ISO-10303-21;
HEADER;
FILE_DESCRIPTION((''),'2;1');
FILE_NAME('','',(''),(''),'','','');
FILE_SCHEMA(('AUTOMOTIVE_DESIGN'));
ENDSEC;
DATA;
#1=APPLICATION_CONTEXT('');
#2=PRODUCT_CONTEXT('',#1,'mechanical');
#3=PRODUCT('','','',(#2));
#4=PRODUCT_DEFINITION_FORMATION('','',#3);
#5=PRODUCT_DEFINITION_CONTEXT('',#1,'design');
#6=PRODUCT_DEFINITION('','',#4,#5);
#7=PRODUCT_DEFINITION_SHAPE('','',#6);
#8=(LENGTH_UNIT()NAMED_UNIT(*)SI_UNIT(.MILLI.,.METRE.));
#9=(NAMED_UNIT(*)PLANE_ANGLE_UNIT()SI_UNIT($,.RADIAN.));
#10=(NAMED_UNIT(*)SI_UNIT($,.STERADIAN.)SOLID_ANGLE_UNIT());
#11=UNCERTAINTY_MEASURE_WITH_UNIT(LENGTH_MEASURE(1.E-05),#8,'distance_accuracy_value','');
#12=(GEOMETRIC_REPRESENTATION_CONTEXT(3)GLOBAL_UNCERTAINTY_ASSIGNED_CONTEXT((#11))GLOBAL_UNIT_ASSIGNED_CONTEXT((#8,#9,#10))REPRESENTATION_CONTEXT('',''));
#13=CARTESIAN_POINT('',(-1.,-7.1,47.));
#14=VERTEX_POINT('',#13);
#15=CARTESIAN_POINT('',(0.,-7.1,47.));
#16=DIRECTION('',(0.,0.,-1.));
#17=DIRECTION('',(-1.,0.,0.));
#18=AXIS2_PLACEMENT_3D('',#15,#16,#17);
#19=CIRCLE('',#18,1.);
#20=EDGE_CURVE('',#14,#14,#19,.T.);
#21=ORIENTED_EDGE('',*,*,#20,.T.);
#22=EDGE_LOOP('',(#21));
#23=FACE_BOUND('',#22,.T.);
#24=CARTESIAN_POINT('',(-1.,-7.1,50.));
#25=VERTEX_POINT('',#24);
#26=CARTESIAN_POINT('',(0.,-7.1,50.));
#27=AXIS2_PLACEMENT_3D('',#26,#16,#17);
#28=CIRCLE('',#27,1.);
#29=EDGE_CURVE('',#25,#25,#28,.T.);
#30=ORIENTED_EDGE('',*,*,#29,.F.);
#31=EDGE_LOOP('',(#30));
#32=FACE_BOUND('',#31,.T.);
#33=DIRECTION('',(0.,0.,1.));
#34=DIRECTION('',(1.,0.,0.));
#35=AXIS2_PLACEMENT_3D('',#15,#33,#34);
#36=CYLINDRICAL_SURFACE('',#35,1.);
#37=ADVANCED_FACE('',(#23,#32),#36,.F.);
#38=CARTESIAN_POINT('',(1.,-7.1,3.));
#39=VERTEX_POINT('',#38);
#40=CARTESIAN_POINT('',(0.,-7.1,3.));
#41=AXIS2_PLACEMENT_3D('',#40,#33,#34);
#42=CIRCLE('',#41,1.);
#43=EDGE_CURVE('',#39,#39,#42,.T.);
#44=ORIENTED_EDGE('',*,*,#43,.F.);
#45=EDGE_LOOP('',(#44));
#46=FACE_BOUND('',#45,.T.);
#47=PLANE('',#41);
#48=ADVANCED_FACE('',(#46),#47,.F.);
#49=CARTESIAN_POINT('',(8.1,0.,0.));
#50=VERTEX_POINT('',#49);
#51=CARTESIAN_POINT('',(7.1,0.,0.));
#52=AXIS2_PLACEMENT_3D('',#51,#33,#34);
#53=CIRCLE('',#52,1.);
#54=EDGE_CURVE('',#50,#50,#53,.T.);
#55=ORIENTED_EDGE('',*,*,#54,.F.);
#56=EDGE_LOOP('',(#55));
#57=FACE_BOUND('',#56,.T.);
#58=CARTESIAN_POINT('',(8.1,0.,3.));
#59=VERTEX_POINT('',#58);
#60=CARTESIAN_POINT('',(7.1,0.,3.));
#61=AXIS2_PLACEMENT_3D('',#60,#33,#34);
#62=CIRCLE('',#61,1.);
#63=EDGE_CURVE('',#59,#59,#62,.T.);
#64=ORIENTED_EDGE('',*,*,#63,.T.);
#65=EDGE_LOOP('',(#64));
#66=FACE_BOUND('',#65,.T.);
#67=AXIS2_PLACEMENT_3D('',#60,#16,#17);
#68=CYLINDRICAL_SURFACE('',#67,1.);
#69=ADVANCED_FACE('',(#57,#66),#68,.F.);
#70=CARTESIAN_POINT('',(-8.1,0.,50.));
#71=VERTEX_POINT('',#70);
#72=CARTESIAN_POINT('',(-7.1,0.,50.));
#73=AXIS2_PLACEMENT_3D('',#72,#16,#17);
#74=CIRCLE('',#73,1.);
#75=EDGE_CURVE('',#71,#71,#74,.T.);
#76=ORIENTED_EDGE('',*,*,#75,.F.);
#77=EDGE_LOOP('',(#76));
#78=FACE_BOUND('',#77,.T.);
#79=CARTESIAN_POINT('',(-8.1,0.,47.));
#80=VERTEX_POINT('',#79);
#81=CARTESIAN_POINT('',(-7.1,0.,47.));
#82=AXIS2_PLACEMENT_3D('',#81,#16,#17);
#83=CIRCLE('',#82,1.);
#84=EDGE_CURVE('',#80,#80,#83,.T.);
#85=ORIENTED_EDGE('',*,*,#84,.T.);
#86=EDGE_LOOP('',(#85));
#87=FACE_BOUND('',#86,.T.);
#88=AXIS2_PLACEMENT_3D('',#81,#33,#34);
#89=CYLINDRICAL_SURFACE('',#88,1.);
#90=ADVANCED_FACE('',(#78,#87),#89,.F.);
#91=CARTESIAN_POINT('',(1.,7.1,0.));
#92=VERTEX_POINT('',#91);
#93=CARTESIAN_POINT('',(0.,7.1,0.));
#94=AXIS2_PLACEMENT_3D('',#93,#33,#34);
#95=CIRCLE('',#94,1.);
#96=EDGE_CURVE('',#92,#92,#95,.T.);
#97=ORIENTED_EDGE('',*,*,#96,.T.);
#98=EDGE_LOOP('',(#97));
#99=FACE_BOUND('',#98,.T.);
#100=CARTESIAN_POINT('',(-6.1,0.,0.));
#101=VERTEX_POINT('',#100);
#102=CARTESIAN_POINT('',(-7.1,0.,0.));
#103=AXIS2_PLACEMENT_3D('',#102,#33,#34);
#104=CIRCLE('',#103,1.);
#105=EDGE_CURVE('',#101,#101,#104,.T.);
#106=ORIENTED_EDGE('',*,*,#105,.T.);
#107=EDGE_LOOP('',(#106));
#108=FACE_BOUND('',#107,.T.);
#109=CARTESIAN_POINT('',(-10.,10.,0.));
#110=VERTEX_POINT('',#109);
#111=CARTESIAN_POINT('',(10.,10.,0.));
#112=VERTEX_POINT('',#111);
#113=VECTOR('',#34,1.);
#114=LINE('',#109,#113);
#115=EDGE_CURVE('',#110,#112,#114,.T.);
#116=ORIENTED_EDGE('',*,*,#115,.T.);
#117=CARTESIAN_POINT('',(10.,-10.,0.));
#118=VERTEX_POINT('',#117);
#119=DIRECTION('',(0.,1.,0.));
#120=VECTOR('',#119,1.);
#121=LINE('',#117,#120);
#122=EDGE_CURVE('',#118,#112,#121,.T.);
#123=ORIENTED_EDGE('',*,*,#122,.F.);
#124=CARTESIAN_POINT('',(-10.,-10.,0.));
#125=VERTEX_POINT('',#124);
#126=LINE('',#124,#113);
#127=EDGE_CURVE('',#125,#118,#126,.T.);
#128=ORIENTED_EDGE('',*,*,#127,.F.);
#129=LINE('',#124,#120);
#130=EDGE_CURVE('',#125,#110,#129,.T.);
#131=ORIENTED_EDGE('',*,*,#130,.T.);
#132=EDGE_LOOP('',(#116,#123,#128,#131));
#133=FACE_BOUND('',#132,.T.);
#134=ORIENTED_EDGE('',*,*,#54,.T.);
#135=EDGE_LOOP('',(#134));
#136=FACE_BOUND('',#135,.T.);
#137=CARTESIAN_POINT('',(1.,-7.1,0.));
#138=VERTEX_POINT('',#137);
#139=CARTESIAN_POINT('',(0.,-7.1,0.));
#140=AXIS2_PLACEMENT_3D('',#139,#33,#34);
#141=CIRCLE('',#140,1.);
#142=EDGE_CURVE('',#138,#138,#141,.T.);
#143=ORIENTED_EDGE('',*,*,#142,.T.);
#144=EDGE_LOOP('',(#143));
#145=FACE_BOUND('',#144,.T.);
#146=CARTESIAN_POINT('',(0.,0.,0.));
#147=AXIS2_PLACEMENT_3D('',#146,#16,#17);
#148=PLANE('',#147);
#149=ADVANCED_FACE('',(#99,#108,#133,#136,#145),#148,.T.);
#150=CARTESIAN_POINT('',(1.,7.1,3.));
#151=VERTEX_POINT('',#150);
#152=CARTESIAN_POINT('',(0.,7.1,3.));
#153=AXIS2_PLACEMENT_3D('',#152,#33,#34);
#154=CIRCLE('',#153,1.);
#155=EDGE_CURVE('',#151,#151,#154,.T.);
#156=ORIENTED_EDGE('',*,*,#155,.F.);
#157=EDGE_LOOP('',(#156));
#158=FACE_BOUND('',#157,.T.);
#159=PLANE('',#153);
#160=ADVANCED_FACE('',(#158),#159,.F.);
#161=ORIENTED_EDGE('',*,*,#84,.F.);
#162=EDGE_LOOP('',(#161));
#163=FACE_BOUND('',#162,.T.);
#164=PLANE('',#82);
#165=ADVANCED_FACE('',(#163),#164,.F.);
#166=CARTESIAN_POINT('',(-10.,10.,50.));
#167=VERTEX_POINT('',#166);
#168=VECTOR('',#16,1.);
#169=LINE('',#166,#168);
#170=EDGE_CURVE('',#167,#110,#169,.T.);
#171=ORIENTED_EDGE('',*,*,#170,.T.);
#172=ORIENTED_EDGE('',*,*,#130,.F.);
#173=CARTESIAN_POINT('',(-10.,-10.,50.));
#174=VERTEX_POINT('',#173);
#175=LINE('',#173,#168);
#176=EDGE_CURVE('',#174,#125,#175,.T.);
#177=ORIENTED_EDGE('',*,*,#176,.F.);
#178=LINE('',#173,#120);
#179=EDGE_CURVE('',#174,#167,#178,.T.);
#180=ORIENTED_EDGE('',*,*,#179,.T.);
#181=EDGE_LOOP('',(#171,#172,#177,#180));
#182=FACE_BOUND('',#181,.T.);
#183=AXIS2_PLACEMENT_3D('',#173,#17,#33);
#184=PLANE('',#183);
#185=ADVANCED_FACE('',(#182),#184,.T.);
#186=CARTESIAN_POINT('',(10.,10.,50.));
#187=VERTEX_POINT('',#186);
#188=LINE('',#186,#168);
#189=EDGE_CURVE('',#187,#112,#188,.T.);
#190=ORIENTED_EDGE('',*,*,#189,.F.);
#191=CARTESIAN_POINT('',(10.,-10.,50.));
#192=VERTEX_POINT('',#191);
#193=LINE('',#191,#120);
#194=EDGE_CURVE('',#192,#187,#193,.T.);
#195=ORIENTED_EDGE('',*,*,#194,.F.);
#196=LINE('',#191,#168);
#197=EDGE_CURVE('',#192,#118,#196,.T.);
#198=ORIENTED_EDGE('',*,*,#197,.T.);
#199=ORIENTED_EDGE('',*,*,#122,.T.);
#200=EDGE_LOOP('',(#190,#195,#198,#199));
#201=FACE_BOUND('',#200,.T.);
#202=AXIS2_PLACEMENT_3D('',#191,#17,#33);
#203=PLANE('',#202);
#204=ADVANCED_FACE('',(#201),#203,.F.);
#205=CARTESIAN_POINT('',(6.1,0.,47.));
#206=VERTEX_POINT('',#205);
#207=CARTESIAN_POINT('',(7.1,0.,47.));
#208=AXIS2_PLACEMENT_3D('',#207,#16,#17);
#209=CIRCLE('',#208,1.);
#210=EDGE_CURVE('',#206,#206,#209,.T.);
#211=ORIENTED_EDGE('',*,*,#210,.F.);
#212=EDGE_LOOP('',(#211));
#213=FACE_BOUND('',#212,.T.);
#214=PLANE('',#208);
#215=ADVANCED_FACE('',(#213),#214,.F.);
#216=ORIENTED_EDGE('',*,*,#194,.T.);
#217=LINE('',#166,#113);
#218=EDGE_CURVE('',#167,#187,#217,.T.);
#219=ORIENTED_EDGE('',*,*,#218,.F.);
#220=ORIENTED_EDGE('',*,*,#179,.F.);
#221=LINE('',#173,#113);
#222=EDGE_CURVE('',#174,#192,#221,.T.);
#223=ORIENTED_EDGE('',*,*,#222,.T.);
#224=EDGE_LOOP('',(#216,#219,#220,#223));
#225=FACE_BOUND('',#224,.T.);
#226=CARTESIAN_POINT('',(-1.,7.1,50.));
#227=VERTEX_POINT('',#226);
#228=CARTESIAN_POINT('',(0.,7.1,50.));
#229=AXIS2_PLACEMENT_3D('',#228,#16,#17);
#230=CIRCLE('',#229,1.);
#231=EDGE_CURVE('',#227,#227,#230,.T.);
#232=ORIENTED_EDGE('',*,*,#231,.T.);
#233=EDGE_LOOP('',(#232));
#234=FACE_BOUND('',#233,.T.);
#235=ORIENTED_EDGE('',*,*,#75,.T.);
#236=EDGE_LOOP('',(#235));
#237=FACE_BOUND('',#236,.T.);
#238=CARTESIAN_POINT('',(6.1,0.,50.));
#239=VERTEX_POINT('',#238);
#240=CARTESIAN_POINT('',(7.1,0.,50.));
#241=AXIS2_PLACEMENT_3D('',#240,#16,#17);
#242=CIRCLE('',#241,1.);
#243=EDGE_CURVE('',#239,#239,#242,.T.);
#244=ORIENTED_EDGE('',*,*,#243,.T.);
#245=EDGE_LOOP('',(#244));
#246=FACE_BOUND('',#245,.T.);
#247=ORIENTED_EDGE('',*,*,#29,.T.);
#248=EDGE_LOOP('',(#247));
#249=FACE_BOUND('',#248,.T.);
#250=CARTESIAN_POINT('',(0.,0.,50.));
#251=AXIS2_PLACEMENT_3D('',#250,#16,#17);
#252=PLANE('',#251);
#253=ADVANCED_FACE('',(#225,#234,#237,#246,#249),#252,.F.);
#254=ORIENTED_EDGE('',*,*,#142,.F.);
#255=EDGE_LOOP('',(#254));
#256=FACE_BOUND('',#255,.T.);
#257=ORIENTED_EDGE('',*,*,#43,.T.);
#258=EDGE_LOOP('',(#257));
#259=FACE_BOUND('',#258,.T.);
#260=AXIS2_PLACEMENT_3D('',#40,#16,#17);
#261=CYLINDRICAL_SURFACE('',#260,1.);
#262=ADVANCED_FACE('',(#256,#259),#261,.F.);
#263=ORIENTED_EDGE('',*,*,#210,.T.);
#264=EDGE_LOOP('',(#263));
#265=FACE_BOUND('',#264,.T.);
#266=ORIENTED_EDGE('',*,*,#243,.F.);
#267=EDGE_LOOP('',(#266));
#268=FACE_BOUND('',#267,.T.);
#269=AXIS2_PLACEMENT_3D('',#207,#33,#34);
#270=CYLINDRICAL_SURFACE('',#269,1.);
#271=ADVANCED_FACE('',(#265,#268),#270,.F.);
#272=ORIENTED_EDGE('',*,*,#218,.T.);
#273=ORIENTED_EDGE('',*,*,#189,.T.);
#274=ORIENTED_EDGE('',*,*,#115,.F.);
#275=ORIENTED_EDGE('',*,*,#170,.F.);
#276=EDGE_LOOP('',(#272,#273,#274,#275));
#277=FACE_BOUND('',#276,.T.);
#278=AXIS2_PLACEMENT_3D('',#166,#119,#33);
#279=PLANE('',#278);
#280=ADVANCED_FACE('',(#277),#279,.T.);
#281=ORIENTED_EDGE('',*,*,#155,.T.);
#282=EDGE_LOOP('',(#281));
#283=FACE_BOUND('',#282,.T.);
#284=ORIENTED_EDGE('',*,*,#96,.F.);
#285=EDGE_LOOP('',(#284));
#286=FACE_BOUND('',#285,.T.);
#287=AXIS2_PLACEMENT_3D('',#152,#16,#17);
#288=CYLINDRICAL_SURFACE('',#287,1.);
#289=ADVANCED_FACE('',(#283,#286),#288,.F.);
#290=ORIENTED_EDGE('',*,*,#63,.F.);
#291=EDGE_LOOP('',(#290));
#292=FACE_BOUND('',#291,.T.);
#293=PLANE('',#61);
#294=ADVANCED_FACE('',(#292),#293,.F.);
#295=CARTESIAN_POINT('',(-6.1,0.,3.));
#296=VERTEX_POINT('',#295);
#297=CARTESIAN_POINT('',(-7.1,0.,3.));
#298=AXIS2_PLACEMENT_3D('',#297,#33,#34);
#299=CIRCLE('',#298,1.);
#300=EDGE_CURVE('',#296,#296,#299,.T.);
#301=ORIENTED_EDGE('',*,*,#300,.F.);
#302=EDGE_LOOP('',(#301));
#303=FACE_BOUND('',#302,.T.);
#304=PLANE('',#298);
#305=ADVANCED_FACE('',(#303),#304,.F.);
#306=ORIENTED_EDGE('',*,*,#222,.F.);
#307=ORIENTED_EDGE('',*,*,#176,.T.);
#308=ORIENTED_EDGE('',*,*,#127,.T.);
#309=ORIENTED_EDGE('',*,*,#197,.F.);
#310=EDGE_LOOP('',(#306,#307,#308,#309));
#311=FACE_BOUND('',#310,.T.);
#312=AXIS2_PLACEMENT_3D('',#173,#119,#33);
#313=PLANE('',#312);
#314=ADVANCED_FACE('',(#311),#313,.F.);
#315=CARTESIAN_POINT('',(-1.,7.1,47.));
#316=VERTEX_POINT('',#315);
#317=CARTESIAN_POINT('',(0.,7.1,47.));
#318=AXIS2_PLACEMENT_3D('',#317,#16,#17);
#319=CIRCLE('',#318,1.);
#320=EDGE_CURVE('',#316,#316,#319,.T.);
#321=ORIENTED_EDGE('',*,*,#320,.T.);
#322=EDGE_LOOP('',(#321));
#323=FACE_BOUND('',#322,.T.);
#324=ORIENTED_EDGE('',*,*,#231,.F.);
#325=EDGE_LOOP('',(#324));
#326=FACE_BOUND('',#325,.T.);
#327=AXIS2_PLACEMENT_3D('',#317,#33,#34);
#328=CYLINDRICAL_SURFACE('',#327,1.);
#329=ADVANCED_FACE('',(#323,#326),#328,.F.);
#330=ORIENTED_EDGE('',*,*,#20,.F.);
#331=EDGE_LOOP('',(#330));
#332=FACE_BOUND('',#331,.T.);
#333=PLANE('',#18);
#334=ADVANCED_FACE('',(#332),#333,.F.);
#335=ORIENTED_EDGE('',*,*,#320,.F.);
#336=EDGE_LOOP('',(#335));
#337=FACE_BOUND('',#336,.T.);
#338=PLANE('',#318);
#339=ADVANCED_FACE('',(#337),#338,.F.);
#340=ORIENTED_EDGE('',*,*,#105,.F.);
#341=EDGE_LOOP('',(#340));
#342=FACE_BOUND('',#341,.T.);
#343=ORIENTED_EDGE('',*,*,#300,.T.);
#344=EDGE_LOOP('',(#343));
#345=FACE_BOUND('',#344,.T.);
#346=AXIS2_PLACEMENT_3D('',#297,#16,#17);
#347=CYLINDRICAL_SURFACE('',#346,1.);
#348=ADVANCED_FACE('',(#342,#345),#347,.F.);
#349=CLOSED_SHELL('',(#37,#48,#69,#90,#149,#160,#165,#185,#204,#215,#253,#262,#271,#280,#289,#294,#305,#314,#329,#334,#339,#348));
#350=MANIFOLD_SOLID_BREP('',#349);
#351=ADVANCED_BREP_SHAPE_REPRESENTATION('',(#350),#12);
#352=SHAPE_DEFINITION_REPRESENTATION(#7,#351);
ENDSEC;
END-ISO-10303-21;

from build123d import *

# Parameters (mm, degrees)
SKETCH_1_W          = 20
SKETCH_1_H          = 20
EXTRUDE_1_DEPTH     = 50
SKETCH_1_3_R        = 1
CUT_EXTRUDE_1_DEPTH = 3
CUT_EXTRUDE_START   = 47
SKETCH_1_4_R        = 1
CUT_EXTRUDE_2_DEPTH = 3


with BuildPart() as part:
    # 草图1 → 凸台-拉伸1 (new body)
    with BuildSketch(Plane.XY):
        Rectangle(SKETCH_1_W, SKETCH_1_H)
    extrude(amount=EXTRUDE_1_DEPTH)

    # 草图1<3> → 切除-拉伸1 (cut)
    with BuildSketch(Plane.XY):
        with Locations((-7.1, 0)):
            Circle(SKETCH_1_3_R)
        with Locations((0, 7.1)):
            Circle(SKETCH_1_3_R)
        with Locations((7.1, 0)):
            Circle(SKETCH_1_3_R)
        with Locations((0, -7.1)):
            Circle(SKETCH_1_3_R)
    extrude(amount=CUT_EXTRUDE_1_DEPTH, mode=Mode.SUBTRACT)

    # 草图1<4> → 切除-拉伸2 (cut)
    with BuildSketch(Plane.XY.offset(CUT_EXTRUDE_START)):
        with Locations((-7.1, 0)):
            Circle(SKETCH_1_4_R)
        with Locations((0, 7.1)):
            Circle(SKETCH_1_4_R)
        with Locations((7.1, 0)):
            Circle(SKETCH_1_4_R)
        with Locations((0, -7.1)):
            Circle(SKETCH_1_4_R)
    extrude(amount=CUT_EXTRUDE_2_DEPTH, mode=Mode.SUBTRACT)


solid = part.part
